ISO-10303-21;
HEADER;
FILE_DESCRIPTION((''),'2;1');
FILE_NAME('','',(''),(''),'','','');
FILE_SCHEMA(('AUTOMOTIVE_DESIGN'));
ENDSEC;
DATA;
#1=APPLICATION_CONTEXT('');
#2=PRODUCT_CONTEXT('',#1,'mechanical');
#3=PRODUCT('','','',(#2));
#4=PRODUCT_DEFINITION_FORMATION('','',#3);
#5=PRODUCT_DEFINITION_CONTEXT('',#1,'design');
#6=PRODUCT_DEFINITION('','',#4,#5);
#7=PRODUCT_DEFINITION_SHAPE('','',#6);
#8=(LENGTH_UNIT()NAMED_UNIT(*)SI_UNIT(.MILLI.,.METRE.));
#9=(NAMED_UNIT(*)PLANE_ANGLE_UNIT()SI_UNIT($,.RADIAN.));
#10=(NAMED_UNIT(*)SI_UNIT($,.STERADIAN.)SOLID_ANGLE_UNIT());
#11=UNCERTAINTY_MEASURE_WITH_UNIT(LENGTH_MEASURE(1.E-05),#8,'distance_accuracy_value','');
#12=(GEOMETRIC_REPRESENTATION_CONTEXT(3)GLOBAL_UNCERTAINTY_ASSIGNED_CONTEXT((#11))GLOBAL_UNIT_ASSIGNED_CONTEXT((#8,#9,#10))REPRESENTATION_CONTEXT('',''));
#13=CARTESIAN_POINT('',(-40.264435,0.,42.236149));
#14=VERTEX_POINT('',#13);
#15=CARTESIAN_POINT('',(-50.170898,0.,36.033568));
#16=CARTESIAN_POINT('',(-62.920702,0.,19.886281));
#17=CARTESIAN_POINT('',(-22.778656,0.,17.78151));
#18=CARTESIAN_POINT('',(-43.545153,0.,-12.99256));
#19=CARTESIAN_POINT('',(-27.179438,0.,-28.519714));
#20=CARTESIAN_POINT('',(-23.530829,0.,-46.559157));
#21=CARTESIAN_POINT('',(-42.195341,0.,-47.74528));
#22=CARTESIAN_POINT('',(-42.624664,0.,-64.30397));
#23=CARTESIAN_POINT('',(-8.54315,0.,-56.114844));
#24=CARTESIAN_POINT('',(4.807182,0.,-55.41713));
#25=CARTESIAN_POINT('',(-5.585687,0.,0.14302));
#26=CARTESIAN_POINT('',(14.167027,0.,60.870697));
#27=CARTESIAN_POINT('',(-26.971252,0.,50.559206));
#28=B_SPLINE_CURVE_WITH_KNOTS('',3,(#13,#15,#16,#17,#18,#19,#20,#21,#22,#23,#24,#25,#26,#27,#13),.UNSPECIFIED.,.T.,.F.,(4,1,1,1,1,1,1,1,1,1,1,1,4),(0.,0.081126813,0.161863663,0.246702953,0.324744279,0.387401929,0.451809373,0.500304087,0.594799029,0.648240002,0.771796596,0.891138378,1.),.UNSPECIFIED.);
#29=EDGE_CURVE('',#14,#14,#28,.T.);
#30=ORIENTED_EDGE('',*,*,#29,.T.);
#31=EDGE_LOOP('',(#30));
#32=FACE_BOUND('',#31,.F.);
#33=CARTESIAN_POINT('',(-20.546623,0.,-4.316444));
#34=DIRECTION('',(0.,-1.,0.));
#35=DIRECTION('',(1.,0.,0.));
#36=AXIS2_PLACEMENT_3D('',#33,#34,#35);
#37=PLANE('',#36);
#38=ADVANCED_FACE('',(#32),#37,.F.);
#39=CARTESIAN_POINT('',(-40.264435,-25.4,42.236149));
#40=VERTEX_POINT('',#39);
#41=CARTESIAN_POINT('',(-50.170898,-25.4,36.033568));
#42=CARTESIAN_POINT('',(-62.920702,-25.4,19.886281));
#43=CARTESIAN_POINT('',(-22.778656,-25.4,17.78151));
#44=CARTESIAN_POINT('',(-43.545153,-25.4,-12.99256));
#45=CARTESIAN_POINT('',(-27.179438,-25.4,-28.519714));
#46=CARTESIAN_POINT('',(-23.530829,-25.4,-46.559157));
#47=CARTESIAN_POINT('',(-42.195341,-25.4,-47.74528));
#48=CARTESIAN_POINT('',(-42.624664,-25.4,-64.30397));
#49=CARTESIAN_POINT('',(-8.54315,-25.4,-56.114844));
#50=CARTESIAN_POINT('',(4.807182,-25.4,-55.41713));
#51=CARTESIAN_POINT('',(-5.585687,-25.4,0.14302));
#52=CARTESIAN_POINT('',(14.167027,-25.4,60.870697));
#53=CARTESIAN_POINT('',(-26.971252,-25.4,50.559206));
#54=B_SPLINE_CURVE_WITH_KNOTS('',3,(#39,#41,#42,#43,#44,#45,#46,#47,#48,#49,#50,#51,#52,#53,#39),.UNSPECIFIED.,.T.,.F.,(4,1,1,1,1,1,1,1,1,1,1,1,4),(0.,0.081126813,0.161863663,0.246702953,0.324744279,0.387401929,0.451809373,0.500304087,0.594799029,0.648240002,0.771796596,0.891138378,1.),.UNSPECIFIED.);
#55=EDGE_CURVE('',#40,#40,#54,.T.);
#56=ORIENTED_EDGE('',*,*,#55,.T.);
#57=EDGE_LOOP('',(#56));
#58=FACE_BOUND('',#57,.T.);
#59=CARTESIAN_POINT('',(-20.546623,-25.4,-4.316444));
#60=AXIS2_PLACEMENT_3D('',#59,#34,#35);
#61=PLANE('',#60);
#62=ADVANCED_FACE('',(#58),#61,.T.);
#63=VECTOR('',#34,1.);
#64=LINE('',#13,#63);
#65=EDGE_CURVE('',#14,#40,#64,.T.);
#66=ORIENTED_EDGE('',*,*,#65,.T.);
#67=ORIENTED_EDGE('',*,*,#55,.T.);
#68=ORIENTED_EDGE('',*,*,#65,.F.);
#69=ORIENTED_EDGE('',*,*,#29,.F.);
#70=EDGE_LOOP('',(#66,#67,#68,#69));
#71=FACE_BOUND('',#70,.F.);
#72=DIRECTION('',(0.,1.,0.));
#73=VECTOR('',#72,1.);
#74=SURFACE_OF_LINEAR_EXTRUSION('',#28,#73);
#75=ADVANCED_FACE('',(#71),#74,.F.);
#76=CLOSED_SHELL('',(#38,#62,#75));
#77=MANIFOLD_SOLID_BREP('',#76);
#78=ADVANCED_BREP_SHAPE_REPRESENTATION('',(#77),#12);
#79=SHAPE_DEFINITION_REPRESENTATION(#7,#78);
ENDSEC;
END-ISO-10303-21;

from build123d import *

# Parameters (mm, degrees)
F1_DEPTH = 25.4


with BuildPart() as f1:
    # F0 (on Front) → F1 (new body)
    with BuildSketch(Plane.XZ):
        with BuildLine():
            add(Edge.make_bspline(
                [(-40.2644351125, 42.2361493111), (-50.1708980135, 36.0335683203), (-62.9207021383, 19.8862813427), (-22.7786563811, 17.7815095396), (-43.5451525585, -12.9925599196), (-27.1794379048, -28.5197144938), (-23.5308293686, -46.5591573307), (-42.1953412833, -47.7452802463), (-42.6246637672, -64.303969545), (-8.5431498606, -56.1148437463), (4.8071819811, -55.4171304628), (-5.5856869112, 0.1430202596), (14.1670272472, 60.8706967766), (-26.971251507, 50.5592055585), (-40.2644351125, 42.2361493111)],
                knots=[0, 0, 0, 0, 0.081126813, 0.1618636625, 0.2467029529, 0.324744279, 0.3874019288, 0.4518093729, 0.5003040867, 0.5947990289, 0.6482400019, 0.7717965958, 0.8911383779, 1, 1, 1, 1], degree=3))
        make_face()
    extrude(amount=F1_DEPTH)


solid = f1.part
